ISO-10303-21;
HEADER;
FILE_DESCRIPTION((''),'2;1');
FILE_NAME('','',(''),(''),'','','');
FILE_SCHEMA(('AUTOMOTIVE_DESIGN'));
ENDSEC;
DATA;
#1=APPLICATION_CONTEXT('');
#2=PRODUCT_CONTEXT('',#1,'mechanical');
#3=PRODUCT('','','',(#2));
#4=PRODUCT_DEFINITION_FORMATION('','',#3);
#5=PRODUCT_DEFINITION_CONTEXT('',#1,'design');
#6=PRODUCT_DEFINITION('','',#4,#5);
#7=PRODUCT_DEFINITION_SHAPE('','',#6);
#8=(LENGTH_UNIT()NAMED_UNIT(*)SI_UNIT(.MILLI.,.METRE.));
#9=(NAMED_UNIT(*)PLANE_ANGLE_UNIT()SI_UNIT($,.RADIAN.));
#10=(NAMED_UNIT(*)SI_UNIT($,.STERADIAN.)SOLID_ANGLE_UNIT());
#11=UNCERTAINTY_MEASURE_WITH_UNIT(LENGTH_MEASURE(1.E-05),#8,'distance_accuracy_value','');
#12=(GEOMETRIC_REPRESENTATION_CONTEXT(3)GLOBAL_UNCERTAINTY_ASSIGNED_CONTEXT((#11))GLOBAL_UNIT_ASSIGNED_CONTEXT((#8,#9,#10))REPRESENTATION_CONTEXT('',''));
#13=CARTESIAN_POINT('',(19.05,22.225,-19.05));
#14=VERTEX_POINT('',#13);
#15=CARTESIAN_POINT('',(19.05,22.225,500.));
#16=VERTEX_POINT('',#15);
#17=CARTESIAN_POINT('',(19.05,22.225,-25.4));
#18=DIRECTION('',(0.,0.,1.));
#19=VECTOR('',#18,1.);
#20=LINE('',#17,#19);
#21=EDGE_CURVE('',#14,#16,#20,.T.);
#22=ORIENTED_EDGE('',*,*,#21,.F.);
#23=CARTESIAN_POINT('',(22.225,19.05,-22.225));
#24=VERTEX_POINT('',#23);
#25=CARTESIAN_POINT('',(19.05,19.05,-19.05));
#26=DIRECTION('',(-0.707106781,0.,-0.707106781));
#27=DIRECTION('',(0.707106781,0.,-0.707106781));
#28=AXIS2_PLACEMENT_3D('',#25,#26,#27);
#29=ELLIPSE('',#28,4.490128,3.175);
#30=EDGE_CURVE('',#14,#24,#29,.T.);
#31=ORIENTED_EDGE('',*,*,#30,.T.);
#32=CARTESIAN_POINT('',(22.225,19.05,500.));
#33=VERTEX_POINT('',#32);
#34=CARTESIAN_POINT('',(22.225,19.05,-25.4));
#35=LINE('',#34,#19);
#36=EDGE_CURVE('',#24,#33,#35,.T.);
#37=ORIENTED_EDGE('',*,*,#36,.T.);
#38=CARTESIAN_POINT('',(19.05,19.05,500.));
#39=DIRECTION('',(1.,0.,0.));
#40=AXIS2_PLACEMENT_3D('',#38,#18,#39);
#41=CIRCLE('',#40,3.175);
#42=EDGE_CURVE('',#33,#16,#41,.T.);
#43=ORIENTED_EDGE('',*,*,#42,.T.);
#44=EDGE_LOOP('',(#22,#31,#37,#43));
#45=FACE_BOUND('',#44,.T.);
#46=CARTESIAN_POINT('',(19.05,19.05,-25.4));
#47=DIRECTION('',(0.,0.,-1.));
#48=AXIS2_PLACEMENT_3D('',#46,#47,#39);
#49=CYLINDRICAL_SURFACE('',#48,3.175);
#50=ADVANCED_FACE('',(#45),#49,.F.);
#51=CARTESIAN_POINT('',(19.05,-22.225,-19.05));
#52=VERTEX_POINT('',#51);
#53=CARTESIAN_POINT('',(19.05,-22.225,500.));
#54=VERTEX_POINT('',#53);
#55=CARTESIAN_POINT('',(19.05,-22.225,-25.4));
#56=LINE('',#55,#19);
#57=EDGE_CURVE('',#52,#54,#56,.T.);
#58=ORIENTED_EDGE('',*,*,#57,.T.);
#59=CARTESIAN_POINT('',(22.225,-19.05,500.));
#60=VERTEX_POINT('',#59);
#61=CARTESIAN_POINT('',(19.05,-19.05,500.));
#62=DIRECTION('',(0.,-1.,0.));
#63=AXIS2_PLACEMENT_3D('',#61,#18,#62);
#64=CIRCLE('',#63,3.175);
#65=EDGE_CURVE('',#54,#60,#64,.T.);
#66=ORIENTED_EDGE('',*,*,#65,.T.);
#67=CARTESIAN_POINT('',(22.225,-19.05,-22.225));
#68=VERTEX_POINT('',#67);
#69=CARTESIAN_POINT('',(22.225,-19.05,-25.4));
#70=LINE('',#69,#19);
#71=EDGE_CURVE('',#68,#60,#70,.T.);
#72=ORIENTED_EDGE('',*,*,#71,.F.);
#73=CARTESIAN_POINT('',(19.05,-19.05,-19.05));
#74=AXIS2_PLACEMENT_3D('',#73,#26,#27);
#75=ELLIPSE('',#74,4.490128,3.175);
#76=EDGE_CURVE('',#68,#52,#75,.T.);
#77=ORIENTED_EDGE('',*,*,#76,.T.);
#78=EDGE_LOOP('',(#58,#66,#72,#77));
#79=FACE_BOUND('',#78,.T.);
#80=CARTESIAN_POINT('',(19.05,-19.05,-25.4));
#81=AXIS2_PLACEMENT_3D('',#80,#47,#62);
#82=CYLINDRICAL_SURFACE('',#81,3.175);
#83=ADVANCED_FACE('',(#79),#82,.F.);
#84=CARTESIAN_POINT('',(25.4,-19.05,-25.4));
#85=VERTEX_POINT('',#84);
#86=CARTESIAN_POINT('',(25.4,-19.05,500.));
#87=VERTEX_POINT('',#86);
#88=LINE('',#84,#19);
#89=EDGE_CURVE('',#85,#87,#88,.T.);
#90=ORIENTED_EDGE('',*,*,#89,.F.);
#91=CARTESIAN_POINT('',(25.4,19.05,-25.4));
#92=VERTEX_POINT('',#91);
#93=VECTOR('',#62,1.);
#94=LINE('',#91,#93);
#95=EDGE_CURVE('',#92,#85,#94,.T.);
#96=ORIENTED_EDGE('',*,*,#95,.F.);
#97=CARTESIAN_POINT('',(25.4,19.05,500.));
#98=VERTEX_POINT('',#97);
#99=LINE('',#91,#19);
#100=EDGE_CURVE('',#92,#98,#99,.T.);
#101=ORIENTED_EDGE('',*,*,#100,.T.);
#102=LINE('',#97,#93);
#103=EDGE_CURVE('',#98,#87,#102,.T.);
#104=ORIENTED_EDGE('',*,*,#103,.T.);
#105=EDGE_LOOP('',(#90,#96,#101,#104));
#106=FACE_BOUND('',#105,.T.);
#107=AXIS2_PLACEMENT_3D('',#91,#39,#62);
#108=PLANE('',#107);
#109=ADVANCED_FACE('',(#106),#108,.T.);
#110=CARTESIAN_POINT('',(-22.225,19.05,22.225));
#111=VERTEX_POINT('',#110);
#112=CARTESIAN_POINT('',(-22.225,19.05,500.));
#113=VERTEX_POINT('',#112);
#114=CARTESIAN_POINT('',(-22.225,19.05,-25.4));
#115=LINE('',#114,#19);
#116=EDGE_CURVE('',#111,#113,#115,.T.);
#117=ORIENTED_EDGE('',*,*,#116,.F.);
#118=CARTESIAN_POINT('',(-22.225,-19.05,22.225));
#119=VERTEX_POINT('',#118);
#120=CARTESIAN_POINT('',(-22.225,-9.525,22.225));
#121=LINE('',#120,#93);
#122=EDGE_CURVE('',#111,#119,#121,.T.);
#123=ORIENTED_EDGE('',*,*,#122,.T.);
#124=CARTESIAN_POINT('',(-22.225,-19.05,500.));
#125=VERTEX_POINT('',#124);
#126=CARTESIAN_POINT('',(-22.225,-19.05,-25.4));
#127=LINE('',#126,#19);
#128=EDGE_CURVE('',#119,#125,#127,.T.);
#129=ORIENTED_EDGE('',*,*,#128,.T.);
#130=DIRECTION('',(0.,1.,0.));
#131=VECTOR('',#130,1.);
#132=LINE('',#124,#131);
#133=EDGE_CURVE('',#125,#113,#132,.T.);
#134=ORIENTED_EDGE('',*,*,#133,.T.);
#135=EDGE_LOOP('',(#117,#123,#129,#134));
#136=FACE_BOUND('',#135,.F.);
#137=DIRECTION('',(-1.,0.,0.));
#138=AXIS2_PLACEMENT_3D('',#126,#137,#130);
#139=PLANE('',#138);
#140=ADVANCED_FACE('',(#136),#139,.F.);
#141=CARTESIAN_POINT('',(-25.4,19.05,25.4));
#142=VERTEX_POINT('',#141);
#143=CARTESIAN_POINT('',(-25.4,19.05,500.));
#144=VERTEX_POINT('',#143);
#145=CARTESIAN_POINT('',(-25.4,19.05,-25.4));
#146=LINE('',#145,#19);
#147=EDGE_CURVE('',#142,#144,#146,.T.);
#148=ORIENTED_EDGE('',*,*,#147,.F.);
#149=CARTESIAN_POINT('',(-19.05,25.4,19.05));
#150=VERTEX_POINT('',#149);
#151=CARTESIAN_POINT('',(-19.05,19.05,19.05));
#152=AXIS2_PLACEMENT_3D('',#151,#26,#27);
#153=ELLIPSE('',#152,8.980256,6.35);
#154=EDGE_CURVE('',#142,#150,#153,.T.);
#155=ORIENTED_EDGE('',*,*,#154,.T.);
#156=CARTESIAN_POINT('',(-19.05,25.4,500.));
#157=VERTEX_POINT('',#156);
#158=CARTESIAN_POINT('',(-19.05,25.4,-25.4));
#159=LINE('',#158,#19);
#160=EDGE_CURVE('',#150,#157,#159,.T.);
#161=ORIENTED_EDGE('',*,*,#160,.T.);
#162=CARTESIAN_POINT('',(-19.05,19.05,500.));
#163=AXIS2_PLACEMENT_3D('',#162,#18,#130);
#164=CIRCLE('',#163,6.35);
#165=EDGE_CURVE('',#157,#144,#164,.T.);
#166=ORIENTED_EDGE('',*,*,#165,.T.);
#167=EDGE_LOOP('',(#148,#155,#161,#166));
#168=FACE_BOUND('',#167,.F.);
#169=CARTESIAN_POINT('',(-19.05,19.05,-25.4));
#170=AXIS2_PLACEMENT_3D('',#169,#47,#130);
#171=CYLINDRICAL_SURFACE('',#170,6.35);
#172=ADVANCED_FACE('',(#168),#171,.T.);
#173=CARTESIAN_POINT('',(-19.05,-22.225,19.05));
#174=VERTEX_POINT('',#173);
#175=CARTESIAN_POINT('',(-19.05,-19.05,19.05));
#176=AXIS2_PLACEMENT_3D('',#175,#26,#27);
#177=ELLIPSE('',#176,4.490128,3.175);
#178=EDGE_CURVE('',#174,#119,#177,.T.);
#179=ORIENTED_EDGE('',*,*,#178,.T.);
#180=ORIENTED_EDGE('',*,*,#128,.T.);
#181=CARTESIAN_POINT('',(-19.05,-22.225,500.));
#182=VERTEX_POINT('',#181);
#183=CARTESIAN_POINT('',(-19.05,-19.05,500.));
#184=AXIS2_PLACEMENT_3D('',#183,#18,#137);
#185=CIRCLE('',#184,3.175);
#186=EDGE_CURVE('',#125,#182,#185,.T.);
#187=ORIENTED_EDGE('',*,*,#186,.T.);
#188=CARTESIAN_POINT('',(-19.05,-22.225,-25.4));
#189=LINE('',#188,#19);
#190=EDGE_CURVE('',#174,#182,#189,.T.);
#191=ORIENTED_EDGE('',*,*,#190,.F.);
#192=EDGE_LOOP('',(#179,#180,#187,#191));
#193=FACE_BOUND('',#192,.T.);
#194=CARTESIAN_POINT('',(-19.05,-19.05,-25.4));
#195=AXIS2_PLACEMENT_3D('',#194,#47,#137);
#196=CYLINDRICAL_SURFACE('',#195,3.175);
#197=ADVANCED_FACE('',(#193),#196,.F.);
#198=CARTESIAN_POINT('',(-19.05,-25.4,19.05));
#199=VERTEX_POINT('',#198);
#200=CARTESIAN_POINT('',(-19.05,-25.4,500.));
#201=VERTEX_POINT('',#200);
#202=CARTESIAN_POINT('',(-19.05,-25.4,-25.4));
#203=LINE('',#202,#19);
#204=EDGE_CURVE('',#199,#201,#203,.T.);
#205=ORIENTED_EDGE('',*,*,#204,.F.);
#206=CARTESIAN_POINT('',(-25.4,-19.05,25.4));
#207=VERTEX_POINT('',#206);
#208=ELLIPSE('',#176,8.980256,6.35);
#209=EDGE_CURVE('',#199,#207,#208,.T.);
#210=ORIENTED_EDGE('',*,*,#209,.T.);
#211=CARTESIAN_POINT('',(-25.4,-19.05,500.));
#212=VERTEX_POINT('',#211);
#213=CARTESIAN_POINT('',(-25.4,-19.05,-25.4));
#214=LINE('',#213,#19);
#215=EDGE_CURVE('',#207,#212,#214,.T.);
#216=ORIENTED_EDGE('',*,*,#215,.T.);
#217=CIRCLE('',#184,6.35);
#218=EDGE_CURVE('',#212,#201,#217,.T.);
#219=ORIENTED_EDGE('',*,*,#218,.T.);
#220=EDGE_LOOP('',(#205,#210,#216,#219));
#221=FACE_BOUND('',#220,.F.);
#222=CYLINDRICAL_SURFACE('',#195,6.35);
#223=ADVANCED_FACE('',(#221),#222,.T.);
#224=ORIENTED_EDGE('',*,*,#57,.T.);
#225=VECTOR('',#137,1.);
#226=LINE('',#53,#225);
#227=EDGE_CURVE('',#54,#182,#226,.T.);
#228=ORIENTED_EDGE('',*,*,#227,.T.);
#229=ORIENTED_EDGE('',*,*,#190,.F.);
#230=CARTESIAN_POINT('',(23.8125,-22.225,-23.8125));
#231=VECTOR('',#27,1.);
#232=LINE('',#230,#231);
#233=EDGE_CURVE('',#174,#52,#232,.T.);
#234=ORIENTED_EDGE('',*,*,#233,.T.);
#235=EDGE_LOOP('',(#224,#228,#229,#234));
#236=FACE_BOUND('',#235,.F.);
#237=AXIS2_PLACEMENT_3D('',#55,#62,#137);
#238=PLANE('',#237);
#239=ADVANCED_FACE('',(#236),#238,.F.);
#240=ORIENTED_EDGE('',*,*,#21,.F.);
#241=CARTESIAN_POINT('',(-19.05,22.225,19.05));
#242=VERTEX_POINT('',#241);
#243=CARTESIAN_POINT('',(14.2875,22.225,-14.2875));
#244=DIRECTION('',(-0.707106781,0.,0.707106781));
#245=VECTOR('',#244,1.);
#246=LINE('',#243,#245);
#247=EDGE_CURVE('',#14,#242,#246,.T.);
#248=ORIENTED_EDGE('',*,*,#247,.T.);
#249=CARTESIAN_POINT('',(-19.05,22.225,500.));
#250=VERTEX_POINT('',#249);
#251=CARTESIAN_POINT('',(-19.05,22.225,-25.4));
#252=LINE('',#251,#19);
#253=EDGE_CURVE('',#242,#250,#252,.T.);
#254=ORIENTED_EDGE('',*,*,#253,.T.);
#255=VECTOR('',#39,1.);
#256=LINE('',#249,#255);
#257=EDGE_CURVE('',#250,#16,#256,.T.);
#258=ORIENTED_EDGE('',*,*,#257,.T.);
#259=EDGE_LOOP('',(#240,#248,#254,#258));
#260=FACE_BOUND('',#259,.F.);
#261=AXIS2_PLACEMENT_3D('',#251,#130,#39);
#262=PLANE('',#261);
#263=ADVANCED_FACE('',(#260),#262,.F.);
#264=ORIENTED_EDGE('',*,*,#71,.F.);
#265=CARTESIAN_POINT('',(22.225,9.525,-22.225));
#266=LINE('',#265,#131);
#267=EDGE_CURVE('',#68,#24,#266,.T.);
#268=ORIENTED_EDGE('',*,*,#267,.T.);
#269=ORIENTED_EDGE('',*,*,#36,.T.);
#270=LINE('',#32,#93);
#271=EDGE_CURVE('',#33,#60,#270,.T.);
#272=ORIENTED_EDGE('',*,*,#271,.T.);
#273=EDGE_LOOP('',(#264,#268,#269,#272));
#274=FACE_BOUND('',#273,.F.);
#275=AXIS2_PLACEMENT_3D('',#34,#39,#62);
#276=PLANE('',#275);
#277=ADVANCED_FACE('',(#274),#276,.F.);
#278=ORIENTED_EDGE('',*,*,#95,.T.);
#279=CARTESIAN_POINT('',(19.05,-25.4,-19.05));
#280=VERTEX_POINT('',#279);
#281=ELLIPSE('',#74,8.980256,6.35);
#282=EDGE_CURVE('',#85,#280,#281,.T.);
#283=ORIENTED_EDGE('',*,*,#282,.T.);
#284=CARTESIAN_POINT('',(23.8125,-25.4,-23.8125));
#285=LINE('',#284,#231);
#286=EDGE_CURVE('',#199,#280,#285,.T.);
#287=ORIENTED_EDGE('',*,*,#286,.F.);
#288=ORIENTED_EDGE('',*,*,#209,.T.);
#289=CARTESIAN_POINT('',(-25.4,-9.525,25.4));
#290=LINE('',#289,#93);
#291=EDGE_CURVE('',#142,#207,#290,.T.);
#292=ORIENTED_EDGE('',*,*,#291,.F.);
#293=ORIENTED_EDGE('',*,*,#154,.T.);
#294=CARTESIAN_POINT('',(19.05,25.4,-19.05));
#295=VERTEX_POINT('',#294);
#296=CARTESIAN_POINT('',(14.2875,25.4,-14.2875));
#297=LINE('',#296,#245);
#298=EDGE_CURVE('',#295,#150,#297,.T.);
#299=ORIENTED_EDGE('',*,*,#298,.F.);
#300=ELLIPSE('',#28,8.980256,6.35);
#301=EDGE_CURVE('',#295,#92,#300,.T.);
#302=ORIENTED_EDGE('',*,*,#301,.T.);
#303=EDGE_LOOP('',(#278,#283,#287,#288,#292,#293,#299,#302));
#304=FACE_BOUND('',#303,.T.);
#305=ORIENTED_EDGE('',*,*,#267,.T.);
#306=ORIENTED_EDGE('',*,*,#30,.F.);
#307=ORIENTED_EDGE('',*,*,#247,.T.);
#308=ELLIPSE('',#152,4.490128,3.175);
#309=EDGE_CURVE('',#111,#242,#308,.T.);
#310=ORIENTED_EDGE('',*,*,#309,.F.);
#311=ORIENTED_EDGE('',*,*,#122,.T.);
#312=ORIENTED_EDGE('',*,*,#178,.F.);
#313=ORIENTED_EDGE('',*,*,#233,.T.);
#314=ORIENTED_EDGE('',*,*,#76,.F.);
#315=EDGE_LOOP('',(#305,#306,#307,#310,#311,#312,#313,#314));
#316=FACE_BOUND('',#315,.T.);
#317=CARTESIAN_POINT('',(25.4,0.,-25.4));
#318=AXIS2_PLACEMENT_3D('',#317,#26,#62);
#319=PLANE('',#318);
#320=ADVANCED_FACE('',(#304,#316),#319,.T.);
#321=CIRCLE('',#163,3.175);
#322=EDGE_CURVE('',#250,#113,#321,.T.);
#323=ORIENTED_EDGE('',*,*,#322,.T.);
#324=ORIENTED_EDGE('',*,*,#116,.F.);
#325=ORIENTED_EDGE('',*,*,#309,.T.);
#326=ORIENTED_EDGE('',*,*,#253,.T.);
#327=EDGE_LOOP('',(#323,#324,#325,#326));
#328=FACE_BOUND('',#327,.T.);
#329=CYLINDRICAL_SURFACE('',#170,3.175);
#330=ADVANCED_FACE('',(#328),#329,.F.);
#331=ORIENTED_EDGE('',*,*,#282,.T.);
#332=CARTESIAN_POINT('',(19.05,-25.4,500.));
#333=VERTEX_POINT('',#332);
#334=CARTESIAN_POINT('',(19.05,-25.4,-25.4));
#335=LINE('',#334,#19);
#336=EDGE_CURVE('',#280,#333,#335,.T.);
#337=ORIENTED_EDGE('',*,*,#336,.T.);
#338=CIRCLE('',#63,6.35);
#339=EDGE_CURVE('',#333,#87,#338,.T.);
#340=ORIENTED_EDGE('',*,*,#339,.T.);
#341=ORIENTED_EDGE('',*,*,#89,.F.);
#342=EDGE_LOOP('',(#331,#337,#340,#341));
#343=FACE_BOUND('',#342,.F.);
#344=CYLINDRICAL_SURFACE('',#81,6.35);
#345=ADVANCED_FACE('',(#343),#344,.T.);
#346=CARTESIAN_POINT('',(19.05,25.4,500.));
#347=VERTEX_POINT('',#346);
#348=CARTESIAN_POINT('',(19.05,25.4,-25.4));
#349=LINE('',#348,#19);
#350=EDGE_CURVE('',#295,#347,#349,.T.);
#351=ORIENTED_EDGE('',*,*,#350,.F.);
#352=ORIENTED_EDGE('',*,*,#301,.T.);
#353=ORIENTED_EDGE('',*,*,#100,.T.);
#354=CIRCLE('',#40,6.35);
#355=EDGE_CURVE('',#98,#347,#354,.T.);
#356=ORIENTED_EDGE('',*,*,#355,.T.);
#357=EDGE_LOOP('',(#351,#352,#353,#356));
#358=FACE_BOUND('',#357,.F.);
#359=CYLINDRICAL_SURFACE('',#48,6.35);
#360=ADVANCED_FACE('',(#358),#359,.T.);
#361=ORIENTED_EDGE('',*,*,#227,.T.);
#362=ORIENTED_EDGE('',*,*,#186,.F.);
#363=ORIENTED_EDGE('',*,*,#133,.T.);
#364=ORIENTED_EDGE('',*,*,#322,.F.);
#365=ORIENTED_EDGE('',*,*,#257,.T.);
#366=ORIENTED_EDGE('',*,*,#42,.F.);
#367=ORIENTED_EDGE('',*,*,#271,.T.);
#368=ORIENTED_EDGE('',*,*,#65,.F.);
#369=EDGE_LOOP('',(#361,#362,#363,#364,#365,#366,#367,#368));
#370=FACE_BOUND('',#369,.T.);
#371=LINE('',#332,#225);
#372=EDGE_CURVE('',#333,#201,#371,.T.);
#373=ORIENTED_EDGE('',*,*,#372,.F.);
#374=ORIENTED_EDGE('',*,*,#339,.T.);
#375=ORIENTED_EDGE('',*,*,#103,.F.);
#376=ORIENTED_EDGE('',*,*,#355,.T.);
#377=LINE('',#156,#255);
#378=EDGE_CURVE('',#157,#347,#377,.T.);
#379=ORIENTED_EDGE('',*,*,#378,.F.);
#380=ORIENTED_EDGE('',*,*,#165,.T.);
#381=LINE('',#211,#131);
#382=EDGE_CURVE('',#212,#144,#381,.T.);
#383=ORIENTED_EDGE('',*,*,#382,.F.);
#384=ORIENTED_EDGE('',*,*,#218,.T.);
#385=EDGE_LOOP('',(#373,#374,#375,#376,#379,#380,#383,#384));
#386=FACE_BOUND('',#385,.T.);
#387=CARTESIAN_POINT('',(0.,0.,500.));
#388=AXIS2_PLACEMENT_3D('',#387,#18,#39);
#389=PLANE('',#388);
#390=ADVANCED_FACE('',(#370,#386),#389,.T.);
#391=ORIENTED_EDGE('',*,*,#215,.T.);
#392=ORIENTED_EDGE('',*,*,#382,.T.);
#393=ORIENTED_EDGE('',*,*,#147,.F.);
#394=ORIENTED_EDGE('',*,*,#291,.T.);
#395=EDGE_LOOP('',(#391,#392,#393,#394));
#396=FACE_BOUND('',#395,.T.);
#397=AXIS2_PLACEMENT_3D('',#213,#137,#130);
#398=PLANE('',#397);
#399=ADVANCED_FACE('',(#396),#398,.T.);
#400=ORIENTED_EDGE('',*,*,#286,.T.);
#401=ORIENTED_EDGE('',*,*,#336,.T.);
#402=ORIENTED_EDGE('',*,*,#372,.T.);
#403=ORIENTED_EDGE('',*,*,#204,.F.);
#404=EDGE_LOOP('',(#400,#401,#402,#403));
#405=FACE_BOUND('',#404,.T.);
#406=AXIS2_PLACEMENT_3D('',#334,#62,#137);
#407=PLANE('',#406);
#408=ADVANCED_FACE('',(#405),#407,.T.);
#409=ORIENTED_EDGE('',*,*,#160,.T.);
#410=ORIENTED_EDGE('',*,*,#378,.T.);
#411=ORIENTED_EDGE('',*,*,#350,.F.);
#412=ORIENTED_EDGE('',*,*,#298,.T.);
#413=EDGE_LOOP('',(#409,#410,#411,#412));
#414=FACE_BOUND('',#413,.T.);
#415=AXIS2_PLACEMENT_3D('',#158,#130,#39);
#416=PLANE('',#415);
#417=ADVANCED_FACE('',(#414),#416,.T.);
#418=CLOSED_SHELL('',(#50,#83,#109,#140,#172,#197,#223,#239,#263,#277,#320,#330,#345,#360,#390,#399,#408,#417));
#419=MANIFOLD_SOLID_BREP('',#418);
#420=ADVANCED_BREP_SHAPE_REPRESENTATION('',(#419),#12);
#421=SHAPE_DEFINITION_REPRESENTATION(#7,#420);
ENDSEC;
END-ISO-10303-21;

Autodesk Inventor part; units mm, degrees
ref_plane "Plano inicial" through (0, 0, -25.4) normal (0, 0, 1) x (1, 0, 0)
ref_plane "Plano final" through (0, 0, 500) normal (0, 0, 1) x (1, 0, 0)
sketch "Boceto" plane through (0, 0, 0) normal (0, 0, 1) x (1, 0, 0)
  line L0 (-25.4, -19.05) -> (-25.4, 19.05)
  line L1 (-19.05, 25.4) -> (19.05, 25.4)
  line L2 (25.4, 19.05) -> (25.4, -19.05)
  line L3 (19.05, -25.4) -> (-19.05, -25.4)
  arc A0 (-25.4, -19.05) -> (-19.05, -25.4) centre (-19.05, -19.05) ccw
  arc A1 (-19.05, 25.4) -> (-25.4, 19.05) centre (-19.05, 19.05) ccw
  arc A2 (25.4, 19.05) -> (19.05, 25.4) centre (19.05, 19.05) ccw
  arc A3 (19.05, -25.4) -> (25.4, -19.05) centre (19.05, -19.05) ccw
  arc A4 (-19.05, 22.225) -> (-22.225, 19.05) centre (-19.05, 19.05) ccw
  line L4 (-19.05, 22.225) -> (19.05, 22.225)
  arc A5 (22.225, 19.05) -> (19.05, 22.225) centre (19.05, 19.05) ccw
  line L5 (22.225, 19.05) -> (22.225, -19.05)
  arc A6 (19.05, -22.225) -> (22.225, -19.05) centre (19.05, -19.05) ccw
  line L6 (19.05, -22.225) -> (-19.05, -22.225)
  arc A7 (-22.225, -19.05) -> (-19.05, -22.225) centre (-19.05, -19.05) ccw
  line L7 (-22.225, -19.05) -> (-22.225, 19.05)
  line L8 (0, 37.4012) -> (0, -37.4012) construction
  line L9 (-37.4012, 0) -> (37.4012, 0) construction
  dimension "d10" = 50.8
  dimension "d11" = 50.8
  dimension "d12" = 3.175
  dimension "d15" = 25.4
  dimension "d16" = 25.4
  dimension "d17" = 6.35
extrude "Cuerpo" add sketch "Boceto" along normal up to surface (525.4 mm away) from surface at -25.4
sketch "Sketch3" plane through (0, 0, 0) normal (0, 0, 1) x (1, 0, 0)
  line L0 (0, 0) -> (10, 0)
ref_plane "Work Plane3" through (0, 0, 0) normal (0, -1, 0) x (1, 0, 0)
ref_plane "Plano de trabajo4" through (25.4, 0, -25.4) normal (-0.7071, 0, -0.7071) x (-0.7071, 0, 0.7071)
split "Dividir1" plane through (25.4, 0, -25.4) removes the side toward (-0.7071, 0, -0.7071)
sketch "Sketch4" plane through (0, 0, 0) normal (0, -1, 0) x (1, 0, 0)
  line L0 (-2, -25.4) -> (12, -25.4) projected
  line L1 (-2, 500) -> (12, 500) projected
  dimension "d19" = 525.4
equation "\"d10\" = G_H"
equation "\"d11\" = G_W"
equation "\"d12\" = G_T"
equation "\"d15\" = 0.5 * d10"
equation "\"d16\" = 0.5 * d11"
equation "\"d17\" = G_IR"
equation "\"d3\" = G_L"
equation "\"G_W\" = 50.8"
equation "\"G_H\" = 50.8"
equation "\"G_T\" = 3.175"
equation "\"G_IR\" = 6.35"
equation "\"G_L\" = d19"
equation "\"G_OFFSET_START\" = 25.4"
equation "\"G_OFFSET_END\" = 0"
equation "\"d13\" = -G_OFFSET_START"
properties part number "AISC - 2 x 2 x 1/8 - 20,685" material "Acero, suave"
